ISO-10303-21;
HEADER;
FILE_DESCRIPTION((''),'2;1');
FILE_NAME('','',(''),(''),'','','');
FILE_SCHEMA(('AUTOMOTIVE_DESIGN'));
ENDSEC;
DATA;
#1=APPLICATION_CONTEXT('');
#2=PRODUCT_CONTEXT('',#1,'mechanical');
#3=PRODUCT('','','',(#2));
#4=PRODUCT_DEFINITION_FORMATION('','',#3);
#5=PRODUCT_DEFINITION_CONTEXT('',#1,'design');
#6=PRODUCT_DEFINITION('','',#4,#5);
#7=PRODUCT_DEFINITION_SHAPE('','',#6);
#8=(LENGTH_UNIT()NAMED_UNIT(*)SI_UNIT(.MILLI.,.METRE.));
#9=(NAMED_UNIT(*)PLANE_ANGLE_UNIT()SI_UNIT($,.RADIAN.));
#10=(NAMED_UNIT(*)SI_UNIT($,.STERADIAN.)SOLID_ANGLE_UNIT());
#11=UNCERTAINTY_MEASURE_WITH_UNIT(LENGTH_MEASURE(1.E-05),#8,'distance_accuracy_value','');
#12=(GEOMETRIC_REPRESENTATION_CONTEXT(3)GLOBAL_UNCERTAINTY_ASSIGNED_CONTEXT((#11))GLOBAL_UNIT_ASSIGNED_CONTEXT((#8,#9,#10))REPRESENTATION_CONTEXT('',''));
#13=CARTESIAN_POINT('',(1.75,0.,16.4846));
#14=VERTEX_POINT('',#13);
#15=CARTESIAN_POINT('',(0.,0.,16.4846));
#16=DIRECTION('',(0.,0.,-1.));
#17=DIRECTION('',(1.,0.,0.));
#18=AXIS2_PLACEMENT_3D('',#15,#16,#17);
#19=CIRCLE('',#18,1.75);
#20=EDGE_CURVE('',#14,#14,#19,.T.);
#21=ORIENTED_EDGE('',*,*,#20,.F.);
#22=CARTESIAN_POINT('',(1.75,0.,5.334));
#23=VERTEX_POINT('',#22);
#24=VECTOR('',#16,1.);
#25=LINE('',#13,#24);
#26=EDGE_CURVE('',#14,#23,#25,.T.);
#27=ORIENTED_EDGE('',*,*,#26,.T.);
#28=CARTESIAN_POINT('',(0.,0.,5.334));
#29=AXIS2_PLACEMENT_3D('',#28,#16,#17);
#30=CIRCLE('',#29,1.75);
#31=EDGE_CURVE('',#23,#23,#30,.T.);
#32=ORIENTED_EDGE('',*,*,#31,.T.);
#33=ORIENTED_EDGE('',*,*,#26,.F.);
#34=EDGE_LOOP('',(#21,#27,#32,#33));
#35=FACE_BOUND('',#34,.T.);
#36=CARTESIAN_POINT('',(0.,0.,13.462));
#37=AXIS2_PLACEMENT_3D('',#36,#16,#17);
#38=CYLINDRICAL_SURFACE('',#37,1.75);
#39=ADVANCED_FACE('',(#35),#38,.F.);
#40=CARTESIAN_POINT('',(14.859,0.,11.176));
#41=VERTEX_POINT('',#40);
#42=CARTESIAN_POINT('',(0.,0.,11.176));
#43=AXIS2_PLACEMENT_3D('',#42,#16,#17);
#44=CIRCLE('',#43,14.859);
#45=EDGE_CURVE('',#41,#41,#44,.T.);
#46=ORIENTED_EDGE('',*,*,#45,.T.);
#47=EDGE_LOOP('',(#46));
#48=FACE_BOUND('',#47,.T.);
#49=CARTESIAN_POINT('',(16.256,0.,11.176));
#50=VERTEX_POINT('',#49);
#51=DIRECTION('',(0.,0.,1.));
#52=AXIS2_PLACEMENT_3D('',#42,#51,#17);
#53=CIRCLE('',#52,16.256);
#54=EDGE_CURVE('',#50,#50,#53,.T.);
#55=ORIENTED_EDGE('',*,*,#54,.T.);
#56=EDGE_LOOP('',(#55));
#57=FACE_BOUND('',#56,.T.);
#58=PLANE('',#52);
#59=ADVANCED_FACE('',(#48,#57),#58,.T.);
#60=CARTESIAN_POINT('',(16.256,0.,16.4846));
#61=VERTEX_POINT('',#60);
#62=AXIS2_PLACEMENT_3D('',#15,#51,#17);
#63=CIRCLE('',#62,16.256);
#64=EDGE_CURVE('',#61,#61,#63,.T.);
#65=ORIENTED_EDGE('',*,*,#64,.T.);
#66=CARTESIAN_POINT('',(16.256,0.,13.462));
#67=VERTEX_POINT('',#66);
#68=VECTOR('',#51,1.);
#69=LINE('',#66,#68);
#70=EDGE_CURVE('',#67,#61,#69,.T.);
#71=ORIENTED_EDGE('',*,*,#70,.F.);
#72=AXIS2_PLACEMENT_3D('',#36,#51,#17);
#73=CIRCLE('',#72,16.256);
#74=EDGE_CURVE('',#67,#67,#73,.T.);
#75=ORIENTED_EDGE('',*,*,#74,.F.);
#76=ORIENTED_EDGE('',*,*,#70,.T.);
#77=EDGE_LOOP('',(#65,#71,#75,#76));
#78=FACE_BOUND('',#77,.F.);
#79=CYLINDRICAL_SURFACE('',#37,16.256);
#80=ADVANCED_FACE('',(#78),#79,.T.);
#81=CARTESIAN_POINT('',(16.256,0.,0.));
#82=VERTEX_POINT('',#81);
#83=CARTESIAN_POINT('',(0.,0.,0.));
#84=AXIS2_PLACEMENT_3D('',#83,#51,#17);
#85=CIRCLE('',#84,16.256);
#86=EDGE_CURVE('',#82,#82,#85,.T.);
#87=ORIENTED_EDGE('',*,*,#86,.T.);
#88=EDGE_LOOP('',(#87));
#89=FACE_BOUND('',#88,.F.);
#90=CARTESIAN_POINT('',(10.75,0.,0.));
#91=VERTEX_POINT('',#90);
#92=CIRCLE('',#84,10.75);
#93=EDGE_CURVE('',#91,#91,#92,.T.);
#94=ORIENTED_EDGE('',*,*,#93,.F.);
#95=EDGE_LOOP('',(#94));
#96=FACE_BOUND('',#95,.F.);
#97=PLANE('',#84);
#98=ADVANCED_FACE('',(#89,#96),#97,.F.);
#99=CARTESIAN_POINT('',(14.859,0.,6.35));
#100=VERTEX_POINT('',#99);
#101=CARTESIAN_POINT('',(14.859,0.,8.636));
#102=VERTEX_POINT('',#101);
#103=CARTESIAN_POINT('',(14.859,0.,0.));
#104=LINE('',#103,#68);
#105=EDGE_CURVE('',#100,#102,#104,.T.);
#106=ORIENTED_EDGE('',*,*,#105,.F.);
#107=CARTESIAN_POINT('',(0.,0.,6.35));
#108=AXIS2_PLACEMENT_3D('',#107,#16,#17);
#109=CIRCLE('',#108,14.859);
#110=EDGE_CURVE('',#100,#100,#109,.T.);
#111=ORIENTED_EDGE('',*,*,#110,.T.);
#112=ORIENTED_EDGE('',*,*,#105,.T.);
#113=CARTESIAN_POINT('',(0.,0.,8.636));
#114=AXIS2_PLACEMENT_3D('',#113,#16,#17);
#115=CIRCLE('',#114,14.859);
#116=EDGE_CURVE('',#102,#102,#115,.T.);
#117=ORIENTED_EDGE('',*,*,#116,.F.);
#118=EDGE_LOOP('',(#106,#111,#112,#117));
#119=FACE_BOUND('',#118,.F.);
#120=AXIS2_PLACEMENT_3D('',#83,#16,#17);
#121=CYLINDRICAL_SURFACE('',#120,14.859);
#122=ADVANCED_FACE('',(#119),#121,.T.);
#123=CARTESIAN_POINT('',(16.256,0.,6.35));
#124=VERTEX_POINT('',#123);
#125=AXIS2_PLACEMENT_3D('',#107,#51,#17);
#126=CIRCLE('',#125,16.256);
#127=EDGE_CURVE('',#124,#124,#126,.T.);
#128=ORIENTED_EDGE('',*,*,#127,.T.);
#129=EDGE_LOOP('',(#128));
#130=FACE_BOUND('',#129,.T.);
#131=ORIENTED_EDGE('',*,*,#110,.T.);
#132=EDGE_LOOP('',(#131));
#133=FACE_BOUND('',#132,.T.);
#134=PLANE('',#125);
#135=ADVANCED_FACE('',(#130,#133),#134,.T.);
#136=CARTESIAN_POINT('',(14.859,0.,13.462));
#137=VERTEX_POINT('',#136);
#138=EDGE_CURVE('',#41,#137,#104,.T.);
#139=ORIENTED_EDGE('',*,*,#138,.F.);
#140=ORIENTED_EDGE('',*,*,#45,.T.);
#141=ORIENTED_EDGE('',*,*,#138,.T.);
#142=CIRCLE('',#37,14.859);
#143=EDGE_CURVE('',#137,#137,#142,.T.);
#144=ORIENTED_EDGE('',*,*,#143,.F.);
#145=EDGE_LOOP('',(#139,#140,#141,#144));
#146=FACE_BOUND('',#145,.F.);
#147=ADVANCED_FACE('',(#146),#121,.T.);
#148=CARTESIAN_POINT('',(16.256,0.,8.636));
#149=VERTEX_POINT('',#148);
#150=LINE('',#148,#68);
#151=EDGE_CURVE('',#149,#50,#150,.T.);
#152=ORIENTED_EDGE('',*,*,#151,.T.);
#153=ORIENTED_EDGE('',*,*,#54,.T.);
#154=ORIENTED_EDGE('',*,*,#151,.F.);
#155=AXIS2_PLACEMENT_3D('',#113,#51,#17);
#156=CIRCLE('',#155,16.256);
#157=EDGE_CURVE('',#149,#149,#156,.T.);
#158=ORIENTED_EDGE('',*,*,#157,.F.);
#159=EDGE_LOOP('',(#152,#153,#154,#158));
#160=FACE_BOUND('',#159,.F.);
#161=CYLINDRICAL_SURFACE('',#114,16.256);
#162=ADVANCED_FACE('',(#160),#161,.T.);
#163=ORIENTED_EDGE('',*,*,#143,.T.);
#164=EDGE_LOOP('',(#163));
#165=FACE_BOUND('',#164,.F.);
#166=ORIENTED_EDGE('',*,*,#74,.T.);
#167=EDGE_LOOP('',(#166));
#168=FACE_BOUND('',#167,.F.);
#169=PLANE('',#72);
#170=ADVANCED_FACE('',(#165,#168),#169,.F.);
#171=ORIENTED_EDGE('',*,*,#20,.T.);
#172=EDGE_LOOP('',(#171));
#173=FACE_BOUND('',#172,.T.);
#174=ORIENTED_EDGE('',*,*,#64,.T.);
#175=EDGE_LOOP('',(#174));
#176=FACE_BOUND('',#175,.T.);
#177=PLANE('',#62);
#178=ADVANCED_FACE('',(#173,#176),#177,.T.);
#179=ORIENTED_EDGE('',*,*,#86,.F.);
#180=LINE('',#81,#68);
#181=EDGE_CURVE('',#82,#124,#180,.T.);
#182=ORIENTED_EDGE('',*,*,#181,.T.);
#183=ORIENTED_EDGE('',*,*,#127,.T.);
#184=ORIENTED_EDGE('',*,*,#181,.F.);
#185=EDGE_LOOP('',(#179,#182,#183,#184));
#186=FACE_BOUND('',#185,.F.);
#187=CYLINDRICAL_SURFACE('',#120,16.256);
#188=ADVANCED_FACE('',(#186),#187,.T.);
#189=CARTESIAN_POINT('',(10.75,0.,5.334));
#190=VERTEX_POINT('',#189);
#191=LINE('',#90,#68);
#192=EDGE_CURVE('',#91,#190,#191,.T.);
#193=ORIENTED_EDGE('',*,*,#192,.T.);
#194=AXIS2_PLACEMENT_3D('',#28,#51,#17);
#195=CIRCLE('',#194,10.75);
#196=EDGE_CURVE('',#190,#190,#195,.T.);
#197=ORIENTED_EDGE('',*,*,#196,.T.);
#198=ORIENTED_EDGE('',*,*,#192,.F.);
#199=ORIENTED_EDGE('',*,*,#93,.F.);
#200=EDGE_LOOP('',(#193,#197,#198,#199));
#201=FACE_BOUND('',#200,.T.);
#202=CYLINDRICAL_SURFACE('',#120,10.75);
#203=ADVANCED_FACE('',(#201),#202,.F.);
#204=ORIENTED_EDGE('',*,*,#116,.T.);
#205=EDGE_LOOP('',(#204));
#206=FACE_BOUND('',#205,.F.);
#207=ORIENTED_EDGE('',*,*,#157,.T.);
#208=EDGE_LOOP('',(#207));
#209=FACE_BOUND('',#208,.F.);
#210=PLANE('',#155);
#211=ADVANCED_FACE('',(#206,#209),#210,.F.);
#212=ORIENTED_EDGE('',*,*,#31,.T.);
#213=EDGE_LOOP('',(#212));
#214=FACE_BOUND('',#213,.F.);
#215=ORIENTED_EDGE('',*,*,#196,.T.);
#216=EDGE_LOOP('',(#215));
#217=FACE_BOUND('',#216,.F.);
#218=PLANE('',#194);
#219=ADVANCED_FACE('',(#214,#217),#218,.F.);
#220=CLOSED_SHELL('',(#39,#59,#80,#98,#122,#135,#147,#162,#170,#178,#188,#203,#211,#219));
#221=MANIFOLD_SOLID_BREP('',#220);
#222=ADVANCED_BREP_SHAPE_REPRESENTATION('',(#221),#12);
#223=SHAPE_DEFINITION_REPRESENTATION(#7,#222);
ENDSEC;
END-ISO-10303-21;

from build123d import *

# Parameters (mm, degrees)
F0_R      = 16.256
F1_DEPTH  = 6.35
F2_R      = 14.859
F3_DEPTH  = 16.002
F5_R      = 16.256
F6_DEPTH  = 2.54
F8_R      = 16.256
F9_DEPTH  = 3.0226
F10_R     = 1.75
F11_DEPTH = 42.672
F12_R     = 1.75
F13_DEPTH = 37.084
F14_R     = 10.75
F15_DEPTH = 5.334


with BuildPart() as f1:
    # F0 (on Top) → F1 (new body)
    with BuildSketch(Plane.XY):
        Circle(F0_R)
    extrude(amount=F1_DEPTH)

    # F2 (on Top) → F3 (join)
    with BuildSketch(Plane.XY):
        Circle(F2_R)
    extrude(amount=F3_DEPTH)

    # F5 (on offset) → F6 (join)
    with BuildSketch(Plane.XY.offset(8.636)):
        Circle(F5_R)
    extrude(amount=F6_DEPTH)

    # F8 (on offset) → F9 (join)
    with BuildSketch(Plane.XY.offset(13.462)):
        Circle(F8_R)
    extrude(amount=F9_DEPTH)

    # F10 (on offset) → F11 (cut)
    with BuildSketch(Plane.XY.offset(13.462)):
        Circle(F10_R)
    extrude(amount=F11_DEPTH, mode=Mode.SUBTRACT)

    # F12 (on Top) → F13 (cut)
    with BuildSketch(Plane.XY):
        Circle(F12_R)
    extrude(amount=F13_DEPTH, mode=Mode.SUBTRACT)

    # F14 (on Top) → F15 (cut)
    with BuildSketch(Plane.XY):
        Circle(F14_R)
    extrude(amount=F15_DEPTH, mode=Mode.SUBTRACT)


solid = f1.part
